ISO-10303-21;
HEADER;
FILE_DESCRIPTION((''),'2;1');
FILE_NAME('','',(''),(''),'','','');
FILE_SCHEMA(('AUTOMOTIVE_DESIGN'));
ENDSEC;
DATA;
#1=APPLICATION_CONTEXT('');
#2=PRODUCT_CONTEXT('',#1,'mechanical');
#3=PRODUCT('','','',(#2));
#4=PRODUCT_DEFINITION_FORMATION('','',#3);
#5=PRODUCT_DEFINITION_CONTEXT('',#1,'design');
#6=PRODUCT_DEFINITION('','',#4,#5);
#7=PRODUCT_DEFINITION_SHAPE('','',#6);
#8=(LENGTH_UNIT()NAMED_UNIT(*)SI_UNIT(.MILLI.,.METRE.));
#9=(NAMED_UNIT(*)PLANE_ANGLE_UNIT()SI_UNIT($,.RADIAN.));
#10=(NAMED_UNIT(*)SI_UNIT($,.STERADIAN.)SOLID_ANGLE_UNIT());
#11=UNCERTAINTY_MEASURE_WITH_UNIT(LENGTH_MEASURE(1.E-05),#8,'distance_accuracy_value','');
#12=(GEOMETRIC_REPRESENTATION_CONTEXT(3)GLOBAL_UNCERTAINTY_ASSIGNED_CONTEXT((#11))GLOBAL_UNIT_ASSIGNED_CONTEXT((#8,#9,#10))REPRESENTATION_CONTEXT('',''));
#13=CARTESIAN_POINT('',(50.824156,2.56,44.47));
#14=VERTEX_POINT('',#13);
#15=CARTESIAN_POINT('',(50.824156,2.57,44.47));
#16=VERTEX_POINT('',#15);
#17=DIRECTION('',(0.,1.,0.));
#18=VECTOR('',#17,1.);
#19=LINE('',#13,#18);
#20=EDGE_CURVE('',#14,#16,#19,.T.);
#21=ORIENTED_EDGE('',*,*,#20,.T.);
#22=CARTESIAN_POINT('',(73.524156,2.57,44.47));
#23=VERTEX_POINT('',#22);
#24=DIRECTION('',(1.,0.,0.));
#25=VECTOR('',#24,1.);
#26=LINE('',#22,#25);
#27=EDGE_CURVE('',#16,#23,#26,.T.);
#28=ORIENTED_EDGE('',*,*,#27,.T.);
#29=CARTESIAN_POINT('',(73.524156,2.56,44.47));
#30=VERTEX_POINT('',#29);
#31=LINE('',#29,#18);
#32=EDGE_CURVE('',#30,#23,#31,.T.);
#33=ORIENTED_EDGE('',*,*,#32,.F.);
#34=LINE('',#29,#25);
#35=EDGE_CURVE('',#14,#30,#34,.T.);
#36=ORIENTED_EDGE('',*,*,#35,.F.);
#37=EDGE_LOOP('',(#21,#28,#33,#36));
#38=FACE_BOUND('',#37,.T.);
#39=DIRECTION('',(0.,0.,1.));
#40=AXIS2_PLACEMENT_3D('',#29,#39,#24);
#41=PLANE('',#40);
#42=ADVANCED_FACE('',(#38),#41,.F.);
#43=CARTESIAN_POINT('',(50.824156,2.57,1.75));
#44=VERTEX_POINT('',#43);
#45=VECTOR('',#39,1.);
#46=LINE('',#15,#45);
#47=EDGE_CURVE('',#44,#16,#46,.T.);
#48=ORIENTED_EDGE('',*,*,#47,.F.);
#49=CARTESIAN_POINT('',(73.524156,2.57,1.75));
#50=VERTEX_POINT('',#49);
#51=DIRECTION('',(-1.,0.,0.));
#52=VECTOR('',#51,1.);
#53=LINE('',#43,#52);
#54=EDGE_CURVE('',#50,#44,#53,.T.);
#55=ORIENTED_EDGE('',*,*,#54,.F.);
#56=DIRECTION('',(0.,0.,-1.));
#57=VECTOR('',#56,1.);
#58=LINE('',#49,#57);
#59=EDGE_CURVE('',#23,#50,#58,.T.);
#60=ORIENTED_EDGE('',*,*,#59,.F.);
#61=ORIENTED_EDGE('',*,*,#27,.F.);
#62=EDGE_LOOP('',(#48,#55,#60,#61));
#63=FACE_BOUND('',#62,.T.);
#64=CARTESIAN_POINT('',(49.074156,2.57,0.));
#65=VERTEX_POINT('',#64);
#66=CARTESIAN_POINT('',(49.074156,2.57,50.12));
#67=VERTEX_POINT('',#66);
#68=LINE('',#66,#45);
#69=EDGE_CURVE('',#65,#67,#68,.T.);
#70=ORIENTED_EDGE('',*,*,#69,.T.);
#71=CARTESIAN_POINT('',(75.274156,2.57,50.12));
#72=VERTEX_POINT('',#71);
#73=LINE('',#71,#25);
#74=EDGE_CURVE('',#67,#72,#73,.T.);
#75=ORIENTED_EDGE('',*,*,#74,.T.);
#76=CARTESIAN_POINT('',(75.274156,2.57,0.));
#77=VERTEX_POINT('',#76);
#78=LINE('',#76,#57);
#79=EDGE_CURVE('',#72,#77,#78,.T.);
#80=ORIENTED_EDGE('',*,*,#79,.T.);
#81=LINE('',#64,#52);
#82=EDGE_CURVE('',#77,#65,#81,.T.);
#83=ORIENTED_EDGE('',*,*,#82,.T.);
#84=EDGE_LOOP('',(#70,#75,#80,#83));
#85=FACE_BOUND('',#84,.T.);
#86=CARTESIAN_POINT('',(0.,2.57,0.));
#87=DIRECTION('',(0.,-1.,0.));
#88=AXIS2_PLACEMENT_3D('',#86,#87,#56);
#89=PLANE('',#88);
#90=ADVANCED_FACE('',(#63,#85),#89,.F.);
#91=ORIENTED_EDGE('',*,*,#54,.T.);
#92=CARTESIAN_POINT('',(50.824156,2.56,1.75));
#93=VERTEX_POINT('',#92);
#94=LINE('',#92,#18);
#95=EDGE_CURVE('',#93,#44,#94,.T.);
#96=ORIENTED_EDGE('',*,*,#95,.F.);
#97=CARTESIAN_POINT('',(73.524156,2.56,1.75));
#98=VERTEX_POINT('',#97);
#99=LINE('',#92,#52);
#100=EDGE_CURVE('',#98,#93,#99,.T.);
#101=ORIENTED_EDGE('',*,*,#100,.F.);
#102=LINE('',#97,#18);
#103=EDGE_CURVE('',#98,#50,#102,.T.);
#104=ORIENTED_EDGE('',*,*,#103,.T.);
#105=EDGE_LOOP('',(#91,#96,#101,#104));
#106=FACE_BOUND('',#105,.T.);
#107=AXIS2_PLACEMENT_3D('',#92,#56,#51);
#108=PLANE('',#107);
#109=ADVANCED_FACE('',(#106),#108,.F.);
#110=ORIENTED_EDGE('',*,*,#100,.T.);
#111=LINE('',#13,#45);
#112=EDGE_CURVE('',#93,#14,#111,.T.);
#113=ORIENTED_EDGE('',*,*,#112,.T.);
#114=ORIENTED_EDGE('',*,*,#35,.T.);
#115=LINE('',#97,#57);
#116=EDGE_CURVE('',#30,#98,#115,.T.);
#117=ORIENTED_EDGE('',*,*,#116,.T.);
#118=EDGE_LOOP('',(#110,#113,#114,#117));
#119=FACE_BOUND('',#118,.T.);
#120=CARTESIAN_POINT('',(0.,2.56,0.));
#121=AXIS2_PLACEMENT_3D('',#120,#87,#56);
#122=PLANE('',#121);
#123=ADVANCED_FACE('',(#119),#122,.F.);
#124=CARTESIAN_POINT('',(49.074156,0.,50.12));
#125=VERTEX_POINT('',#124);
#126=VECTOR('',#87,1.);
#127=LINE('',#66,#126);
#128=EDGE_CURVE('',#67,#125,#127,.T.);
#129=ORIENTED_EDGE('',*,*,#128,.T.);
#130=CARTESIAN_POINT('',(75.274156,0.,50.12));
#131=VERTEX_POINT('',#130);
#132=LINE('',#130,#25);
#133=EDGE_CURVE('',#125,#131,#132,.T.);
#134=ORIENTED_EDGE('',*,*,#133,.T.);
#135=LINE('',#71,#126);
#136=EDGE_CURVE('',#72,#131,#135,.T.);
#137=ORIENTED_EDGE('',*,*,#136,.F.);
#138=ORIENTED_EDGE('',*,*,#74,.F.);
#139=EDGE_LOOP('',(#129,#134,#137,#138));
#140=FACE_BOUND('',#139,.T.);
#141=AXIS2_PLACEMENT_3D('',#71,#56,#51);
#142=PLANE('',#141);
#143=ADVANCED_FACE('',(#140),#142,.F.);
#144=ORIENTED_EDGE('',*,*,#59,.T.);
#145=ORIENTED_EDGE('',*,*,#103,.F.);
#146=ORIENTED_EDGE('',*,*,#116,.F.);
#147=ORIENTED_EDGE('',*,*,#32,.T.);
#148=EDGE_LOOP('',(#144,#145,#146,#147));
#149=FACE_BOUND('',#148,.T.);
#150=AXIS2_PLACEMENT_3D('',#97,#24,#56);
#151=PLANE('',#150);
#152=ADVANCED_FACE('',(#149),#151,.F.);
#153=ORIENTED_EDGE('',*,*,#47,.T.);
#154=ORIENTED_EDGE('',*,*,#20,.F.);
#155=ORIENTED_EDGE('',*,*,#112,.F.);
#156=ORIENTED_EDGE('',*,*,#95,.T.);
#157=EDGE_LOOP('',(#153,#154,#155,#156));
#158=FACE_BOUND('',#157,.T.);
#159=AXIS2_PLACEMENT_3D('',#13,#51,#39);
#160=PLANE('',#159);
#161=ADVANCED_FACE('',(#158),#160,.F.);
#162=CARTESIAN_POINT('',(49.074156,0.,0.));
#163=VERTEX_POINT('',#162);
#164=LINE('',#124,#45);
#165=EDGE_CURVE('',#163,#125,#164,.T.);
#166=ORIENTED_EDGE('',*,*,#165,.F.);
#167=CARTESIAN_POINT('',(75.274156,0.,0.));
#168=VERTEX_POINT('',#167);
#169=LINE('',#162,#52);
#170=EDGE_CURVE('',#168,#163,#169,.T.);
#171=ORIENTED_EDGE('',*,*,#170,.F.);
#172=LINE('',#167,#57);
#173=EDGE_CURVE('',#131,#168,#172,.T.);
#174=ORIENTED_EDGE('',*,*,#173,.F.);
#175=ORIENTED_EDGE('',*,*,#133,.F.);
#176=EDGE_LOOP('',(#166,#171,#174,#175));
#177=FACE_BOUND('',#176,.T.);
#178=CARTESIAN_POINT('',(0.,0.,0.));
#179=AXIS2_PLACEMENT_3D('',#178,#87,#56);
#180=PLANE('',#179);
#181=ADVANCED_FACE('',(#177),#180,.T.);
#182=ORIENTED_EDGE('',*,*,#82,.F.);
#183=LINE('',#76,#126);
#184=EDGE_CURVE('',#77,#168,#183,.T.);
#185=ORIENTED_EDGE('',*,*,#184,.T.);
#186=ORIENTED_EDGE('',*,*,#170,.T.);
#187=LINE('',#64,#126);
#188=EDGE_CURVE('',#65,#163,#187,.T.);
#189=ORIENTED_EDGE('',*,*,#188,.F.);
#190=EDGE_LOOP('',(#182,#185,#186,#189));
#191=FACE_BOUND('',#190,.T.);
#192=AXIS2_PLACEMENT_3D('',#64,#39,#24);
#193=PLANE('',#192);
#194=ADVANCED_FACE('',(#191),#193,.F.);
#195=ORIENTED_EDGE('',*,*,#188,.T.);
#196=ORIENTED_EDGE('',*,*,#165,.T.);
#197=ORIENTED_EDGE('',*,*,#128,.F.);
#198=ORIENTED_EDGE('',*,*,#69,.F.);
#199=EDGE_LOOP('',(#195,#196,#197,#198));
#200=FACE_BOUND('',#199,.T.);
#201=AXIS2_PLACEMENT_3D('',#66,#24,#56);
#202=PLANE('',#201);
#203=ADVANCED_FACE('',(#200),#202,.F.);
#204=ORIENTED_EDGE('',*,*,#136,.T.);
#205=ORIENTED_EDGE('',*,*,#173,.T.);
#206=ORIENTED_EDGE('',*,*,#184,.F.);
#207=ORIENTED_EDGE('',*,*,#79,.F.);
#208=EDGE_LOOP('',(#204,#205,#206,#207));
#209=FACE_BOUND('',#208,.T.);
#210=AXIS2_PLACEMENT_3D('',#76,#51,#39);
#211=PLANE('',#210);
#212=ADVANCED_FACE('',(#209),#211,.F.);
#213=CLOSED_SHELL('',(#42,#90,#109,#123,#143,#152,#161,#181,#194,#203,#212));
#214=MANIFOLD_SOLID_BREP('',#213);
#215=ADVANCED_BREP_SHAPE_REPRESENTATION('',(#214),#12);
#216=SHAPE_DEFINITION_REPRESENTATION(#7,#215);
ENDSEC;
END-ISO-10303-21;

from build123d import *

# Parameters (mm, degrees)
SKETCH_1_W          = 26.2
SKETCH_1_H          = 50.12
EXTRUDE_1_DEPTH     = 2.57
SKETCH_2_W          = 22.7
SKETCH_2_H          = 42.72
CUT_EXTRUDE_1_DEPTH = 0.01


with BuildPart() as part:
    # 草图1 → 凸台-拉伸1 (new body)
    with BuildSketch(Plane(origin=(0, 0, 0), x_dir=(1, 0, 0), z_dir=(0, 1, 0))):
        with Locations((62.174155813, -25.06)):
            Rectangle(SKETCH_1_W, SKETCH_1_H)
    extrude(amount=EXTRUDE_1_DEPTH)

    # 草图2 → 切除-拉伸1 (cut)
    with BuildSketch(Plane(origin=(0, 2.57, 0), x_dir=(1, 0, 0), z_dir=(0, 1, 0))):
        with Locations((62.174155813, -23.11)):
            Rectangle(SKETCH_2_W, SKETCH_2_H)
    extrude(amount=-CUT_EXTRUDE_1_DEPTH, mode=Mode.SUBTRACT)


solid = part.part
